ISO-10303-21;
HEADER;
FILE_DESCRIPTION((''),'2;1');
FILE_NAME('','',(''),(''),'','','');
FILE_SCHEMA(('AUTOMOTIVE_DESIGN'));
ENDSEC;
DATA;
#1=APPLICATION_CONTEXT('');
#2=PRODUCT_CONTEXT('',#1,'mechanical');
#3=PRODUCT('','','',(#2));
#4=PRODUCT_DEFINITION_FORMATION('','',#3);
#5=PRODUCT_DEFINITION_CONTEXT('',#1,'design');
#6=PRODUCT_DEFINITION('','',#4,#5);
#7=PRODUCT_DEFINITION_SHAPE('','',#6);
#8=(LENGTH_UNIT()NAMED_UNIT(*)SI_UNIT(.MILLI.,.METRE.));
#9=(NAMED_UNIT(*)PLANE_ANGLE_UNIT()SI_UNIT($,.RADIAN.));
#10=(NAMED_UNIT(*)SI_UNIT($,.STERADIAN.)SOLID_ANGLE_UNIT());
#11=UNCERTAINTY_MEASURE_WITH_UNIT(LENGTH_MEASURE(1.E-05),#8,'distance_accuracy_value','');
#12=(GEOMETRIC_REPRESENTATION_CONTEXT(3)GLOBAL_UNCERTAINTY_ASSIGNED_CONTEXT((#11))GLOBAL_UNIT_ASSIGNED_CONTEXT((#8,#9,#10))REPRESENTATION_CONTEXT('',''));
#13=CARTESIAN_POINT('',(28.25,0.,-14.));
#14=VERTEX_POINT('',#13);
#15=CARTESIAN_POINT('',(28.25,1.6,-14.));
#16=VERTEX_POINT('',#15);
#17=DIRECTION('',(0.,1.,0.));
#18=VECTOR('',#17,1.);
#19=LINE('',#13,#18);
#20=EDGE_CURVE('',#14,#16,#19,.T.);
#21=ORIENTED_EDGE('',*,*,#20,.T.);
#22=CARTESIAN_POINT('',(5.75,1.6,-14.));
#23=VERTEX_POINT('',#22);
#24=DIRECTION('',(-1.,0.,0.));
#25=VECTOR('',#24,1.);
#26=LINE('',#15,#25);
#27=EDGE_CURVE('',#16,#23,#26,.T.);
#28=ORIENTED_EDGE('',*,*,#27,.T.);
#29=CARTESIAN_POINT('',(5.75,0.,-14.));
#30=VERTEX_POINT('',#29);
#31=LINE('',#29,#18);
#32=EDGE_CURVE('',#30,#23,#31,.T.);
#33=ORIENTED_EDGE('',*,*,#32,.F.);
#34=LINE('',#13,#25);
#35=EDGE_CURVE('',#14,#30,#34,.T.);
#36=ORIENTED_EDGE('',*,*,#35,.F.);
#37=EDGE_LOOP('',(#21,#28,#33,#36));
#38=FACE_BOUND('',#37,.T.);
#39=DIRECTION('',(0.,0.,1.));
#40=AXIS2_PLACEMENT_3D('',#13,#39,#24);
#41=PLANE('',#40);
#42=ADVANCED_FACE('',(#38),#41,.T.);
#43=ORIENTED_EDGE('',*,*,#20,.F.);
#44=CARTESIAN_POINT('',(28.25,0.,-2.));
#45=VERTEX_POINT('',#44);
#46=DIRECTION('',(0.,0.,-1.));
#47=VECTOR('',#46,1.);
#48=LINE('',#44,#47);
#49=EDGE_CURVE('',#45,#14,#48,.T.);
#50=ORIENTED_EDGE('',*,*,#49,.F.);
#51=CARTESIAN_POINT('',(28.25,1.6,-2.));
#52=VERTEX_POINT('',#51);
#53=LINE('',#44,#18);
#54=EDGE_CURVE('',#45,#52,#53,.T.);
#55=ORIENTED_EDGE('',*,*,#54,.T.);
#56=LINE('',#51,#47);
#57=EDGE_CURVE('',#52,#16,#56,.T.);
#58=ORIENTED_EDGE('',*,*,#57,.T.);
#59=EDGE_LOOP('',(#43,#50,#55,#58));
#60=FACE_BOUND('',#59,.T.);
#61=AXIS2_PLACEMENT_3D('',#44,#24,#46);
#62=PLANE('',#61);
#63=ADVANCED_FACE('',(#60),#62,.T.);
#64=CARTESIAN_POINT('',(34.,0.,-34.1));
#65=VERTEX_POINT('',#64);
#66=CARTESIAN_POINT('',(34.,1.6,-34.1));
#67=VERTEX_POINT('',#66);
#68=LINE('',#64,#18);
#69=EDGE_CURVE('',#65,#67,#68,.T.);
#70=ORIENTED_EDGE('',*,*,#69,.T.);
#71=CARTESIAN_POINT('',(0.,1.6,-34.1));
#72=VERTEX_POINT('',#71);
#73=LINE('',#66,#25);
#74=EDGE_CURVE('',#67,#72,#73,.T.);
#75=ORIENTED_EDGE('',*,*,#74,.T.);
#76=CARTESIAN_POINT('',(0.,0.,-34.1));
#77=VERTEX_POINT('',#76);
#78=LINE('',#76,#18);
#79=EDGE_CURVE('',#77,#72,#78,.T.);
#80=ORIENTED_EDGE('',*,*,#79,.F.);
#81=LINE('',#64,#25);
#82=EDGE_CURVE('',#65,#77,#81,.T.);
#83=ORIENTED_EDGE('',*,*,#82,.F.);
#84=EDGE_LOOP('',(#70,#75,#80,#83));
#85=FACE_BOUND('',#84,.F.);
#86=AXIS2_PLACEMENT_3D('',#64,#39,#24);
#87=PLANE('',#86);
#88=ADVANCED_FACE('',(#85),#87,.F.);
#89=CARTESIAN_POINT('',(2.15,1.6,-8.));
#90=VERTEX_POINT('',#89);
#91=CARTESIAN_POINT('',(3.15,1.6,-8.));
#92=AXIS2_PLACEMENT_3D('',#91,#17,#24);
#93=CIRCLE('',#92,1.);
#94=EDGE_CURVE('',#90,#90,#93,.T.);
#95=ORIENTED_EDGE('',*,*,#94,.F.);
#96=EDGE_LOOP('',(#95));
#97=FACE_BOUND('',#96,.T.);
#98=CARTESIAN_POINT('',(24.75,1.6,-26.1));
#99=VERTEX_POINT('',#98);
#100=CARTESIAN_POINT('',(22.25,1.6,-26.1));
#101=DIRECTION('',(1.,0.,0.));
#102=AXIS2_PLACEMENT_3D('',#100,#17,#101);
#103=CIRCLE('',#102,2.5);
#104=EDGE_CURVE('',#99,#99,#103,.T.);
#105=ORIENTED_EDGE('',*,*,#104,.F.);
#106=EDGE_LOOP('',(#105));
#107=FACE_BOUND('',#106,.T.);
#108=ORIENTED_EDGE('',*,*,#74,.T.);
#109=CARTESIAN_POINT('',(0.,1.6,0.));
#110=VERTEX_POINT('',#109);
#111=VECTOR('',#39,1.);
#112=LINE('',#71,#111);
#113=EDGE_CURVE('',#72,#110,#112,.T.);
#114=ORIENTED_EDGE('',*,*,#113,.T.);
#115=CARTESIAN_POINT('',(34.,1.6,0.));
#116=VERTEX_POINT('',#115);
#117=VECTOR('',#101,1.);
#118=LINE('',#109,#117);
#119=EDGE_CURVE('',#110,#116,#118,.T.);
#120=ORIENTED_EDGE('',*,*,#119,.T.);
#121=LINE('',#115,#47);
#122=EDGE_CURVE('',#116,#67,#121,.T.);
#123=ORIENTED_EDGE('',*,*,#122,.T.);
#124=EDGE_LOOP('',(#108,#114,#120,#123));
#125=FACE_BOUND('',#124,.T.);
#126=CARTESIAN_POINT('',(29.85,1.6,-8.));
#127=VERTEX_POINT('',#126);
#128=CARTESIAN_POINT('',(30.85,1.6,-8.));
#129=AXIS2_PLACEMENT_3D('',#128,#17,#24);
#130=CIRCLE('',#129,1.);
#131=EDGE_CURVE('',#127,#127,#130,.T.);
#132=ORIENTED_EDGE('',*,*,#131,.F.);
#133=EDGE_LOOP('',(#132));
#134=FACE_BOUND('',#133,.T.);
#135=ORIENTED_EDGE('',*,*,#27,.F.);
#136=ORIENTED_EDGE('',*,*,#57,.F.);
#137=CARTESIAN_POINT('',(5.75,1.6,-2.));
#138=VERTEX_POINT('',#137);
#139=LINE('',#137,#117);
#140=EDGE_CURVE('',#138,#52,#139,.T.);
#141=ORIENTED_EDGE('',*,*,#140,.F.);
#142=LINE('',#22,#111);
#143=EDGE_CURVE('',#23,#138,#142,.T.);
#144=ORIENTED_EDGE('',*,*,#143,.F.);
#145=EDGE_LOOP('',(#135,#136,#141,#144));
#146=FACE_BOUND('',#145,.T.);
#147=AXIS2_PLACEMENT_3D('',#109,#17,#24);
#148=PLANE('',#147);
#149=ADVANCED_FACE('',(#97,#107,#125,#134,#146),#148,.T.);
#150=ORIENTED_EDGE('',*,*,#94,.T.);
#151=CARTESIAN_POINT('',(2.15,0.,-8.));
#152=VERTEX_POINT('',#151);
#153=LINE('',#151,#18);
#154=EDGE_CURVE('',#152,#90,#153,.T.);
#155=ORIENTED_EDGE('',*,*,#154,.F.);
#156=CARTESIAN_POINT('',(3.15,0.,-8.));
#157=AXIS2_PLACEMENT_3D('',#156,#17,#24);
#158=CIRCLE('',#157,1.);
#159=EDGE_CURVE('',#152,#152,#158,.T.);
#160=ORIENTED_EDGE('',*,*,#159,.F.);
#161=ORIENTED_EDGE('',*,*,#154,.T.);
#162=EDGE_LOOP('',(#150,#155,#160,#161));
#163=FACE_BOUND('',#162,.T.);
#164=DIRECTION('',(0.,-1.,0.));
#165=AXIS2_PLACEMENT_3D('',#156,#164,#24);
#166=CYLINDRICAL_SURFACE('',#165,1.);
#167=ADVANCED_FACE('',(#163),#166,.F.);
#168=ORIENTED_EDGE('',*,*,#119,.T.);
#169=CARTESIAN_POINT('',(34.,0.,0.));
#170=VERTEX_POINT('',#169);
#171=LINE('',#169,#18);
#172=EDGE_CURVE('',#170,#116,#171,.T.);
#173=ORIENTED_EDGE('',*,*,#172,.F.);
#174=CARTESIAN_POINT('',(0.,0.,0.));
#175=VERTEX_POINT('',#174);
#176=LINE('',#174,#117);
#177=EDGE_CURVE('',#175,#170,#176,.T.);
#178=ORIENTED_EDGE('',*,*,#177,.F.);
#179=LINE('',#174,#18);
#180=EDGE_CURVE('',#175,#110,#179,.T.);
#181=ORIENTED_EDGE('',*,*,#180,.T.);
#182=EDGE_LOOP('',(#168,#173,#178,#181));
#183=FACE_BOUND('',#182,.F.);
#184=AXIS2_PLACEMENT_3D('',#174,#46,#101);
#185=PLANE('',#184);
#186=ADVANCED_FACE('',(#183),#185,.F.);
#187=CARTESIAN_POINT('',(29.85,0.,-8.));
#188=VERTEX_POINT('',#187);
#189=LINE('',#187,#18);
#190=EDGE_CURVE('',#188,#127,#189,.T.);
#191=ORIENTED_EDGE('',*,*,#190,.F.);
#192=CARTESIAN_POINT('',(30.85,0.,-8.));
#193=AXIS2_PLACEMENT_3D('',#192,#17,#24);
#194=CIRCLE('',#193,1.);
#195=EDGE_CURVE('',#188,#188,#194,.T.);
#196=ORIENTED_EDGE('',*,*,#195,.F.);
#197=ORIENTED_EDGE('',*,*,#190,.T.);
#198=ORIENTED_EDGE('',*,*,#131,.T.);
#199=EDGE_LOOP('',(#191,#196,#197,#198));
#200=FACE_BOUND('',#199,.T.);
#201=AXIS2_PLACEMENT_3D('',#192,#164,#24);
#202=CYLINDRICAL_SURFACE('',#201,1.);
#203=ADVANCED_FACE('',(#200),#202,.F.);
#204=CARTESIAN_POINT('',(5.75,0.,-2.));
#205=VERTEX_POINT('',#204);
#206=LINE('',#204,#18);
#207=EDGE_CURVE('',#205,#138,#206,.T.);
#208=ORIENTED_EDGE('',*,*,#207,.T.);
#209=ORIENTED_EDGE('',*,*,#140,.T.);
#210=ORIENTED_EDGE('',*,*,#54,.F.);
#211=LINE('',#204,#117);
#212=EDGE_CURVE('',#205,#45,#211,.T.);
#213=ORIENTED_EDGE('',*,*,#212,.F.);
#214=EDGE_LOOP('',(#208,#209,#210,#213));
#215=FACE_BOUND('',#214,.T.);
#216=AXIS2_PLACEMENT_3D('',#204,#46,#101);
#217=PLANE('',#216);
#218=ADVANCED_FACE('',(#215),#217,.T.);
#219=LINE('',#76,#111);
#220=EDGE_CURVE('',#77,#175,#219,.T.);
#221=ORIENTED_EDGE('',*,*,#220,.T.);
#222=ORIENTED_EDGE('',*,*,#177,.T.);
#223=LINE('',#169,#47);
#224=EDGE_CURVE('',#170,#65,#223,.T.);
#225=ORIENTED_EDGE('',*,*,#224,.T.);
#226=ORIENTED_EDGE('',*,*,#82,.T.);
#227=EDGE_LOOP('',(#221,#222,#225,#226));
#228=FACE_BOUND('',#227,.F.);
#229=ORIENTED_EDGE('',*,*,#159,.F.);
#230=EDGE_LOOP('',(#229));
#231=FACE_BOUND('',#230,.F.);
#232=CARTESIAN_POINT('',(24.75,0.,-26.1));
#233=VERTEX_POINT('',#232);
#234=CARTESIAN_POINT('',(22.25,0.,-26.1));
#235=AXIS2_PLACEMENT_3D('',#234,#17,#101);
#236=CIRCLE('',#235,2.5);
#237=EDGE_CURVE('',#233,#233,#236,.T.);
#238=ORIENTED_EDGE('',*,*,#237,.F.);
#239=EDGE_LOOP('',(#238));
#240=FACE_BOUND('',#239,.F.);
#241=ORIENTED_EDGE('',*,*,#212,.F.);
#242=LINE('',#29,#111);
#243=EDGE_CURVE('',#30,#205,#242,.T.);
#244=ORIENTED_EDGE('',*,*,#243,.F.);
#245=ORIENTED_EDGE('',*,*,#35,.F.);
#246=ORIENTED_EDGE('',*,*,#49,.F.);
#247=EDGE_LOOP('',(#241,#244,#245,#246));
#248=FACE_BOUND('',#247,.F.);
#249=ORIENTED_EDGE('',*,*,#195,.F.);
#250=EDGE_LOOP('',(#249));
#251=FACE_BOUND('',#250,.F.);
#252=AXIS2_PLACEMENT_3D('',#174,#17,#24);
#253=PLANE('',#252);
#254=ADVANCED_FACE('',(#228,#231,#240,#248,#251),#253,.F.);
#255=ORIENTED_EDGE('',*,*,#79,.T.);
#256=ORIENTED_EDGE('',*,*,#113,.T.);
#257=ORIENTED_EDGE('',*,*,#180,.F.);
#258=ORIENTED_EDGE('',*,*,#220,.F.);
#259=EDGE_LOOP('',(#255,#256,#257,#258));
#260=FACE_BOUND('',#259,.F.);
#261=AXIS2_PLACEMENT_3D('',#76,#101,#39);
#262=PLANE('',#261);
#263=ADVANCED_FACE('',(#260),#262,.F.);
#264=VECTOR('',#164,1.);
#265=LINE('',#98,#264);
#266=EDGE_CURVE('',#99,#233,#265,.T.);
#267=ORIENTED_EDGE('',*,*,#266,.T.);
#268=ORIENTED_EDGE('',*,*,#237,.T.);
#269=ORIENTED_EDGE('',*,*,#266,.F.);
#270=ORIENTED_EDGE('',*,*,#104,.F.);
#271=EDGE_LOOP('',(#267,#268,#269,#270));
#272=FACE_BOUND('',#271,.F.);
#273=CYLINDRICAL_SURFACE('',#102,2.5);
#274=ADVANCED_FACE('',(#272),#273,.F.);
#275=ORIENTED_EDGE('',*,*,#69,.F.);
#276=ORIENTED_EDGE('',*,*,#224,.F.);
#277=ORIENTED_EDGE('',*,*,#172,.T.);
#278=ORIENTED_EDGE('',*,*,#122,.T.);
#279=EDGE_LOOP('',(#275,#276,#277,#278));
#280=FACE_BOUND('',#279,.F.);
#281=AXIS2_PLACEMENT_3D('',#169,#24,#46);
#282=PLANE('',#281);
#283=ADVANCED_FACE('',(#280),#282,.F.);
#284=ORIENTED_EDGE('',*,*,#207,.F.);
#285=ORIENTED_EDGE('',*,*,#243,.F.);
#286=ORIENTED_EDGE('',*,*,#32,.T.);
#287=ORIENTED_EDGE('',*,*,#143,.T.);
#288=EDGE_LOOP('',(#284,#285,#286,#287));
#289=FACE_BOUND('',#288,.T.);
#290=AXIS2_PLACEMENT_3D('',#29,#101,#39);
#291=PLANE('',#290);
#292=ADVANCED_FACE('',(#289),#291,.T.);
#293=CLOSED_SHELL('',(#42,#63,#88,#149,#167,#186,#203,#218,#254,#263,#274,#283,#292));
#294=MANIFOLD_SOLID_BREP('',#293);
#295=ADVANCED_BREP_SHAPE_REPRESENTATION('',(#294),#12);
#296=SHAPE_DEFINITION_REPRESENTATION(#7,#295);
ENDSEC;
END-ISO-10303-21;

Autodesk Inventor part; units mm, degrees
ref_plane "YZ Plane" through (0, 0, 0) normal (1, 0, 0) x (0, 1, 0)
ref_plane "XZ Plane" through (0, 0, 0) normal (0, 1, 0) x (-1, 0, 0)
ref_plane "XY Plane" through (0, 0, 0) normal (0, 0, 1) x (1, 0, 0)
sketch "Szkic1" plane through (0, 0, 0) normal (0, 1, 0) x (-1, 0, 0)
  line L0 (0, 0) -> (-34, 0)
  line L1 (-34, 0) -> (-34, -34.1)
  line L2 (-34, -34.1) -> (0, -34.1)
  line L3 (0, -34.1) -> (0, 0)
  line L4 (-5.75, -2) -> (-28.25, -2)
  line L5 (-28.25, -2) -> (-28.25, -14)
  line L6 (-28.25, -14) -> (-5.75, -14)
  line L7 (-5.75, -14) -> (-5.75, -2)
  circle A0 centre (-3.15, -8) radius 1
  circle A1 centre (-30.85, -8) radius 1
  dimension "d0" = 34
  dimension "d1" = 34.1
  dimension "d2" = 22.5
  dimension "d3" = 12
  dimension "d4" = 2
  dimension "d5" = 5.75
  dimension "d6" = 2
  dimension "d7" = 2.6
  dimension "d8" = 2
  dimension "d9" = 2.6
  dimension "d12" = 6
  dimension "d13" = 6
extrude "Wyciągnięcie proste1" add sketch "Szkic1" along normal blind 1.6
sketch "Szkic2" plane through (0, 1.6, 0) normal (0, 1, 0) x (1, 0, 0)
  circle A0 centre (22.25, 26.1) radius 2.5
  line L0 (34, 0) -> (34, 34.1) projected
  line L1 (34, 34.1) -> (0, 34.1) projected
  point P0 (0, 0)
  dimension "d14" = 5
  dimension "d15" = 11.75
  dimension "d16" = 8
extrude "Wyciągnięcie proste2" cut sketch "Szkic2" against normal blind 1.6
equation "\"d5\" = -0.5 * d2 + 0.5 * d0"
equation "\"d12\" = 0.5 * d3"
equation "\"d13\" = d12"
properties part number "mocowanie ostatniego serwa"
